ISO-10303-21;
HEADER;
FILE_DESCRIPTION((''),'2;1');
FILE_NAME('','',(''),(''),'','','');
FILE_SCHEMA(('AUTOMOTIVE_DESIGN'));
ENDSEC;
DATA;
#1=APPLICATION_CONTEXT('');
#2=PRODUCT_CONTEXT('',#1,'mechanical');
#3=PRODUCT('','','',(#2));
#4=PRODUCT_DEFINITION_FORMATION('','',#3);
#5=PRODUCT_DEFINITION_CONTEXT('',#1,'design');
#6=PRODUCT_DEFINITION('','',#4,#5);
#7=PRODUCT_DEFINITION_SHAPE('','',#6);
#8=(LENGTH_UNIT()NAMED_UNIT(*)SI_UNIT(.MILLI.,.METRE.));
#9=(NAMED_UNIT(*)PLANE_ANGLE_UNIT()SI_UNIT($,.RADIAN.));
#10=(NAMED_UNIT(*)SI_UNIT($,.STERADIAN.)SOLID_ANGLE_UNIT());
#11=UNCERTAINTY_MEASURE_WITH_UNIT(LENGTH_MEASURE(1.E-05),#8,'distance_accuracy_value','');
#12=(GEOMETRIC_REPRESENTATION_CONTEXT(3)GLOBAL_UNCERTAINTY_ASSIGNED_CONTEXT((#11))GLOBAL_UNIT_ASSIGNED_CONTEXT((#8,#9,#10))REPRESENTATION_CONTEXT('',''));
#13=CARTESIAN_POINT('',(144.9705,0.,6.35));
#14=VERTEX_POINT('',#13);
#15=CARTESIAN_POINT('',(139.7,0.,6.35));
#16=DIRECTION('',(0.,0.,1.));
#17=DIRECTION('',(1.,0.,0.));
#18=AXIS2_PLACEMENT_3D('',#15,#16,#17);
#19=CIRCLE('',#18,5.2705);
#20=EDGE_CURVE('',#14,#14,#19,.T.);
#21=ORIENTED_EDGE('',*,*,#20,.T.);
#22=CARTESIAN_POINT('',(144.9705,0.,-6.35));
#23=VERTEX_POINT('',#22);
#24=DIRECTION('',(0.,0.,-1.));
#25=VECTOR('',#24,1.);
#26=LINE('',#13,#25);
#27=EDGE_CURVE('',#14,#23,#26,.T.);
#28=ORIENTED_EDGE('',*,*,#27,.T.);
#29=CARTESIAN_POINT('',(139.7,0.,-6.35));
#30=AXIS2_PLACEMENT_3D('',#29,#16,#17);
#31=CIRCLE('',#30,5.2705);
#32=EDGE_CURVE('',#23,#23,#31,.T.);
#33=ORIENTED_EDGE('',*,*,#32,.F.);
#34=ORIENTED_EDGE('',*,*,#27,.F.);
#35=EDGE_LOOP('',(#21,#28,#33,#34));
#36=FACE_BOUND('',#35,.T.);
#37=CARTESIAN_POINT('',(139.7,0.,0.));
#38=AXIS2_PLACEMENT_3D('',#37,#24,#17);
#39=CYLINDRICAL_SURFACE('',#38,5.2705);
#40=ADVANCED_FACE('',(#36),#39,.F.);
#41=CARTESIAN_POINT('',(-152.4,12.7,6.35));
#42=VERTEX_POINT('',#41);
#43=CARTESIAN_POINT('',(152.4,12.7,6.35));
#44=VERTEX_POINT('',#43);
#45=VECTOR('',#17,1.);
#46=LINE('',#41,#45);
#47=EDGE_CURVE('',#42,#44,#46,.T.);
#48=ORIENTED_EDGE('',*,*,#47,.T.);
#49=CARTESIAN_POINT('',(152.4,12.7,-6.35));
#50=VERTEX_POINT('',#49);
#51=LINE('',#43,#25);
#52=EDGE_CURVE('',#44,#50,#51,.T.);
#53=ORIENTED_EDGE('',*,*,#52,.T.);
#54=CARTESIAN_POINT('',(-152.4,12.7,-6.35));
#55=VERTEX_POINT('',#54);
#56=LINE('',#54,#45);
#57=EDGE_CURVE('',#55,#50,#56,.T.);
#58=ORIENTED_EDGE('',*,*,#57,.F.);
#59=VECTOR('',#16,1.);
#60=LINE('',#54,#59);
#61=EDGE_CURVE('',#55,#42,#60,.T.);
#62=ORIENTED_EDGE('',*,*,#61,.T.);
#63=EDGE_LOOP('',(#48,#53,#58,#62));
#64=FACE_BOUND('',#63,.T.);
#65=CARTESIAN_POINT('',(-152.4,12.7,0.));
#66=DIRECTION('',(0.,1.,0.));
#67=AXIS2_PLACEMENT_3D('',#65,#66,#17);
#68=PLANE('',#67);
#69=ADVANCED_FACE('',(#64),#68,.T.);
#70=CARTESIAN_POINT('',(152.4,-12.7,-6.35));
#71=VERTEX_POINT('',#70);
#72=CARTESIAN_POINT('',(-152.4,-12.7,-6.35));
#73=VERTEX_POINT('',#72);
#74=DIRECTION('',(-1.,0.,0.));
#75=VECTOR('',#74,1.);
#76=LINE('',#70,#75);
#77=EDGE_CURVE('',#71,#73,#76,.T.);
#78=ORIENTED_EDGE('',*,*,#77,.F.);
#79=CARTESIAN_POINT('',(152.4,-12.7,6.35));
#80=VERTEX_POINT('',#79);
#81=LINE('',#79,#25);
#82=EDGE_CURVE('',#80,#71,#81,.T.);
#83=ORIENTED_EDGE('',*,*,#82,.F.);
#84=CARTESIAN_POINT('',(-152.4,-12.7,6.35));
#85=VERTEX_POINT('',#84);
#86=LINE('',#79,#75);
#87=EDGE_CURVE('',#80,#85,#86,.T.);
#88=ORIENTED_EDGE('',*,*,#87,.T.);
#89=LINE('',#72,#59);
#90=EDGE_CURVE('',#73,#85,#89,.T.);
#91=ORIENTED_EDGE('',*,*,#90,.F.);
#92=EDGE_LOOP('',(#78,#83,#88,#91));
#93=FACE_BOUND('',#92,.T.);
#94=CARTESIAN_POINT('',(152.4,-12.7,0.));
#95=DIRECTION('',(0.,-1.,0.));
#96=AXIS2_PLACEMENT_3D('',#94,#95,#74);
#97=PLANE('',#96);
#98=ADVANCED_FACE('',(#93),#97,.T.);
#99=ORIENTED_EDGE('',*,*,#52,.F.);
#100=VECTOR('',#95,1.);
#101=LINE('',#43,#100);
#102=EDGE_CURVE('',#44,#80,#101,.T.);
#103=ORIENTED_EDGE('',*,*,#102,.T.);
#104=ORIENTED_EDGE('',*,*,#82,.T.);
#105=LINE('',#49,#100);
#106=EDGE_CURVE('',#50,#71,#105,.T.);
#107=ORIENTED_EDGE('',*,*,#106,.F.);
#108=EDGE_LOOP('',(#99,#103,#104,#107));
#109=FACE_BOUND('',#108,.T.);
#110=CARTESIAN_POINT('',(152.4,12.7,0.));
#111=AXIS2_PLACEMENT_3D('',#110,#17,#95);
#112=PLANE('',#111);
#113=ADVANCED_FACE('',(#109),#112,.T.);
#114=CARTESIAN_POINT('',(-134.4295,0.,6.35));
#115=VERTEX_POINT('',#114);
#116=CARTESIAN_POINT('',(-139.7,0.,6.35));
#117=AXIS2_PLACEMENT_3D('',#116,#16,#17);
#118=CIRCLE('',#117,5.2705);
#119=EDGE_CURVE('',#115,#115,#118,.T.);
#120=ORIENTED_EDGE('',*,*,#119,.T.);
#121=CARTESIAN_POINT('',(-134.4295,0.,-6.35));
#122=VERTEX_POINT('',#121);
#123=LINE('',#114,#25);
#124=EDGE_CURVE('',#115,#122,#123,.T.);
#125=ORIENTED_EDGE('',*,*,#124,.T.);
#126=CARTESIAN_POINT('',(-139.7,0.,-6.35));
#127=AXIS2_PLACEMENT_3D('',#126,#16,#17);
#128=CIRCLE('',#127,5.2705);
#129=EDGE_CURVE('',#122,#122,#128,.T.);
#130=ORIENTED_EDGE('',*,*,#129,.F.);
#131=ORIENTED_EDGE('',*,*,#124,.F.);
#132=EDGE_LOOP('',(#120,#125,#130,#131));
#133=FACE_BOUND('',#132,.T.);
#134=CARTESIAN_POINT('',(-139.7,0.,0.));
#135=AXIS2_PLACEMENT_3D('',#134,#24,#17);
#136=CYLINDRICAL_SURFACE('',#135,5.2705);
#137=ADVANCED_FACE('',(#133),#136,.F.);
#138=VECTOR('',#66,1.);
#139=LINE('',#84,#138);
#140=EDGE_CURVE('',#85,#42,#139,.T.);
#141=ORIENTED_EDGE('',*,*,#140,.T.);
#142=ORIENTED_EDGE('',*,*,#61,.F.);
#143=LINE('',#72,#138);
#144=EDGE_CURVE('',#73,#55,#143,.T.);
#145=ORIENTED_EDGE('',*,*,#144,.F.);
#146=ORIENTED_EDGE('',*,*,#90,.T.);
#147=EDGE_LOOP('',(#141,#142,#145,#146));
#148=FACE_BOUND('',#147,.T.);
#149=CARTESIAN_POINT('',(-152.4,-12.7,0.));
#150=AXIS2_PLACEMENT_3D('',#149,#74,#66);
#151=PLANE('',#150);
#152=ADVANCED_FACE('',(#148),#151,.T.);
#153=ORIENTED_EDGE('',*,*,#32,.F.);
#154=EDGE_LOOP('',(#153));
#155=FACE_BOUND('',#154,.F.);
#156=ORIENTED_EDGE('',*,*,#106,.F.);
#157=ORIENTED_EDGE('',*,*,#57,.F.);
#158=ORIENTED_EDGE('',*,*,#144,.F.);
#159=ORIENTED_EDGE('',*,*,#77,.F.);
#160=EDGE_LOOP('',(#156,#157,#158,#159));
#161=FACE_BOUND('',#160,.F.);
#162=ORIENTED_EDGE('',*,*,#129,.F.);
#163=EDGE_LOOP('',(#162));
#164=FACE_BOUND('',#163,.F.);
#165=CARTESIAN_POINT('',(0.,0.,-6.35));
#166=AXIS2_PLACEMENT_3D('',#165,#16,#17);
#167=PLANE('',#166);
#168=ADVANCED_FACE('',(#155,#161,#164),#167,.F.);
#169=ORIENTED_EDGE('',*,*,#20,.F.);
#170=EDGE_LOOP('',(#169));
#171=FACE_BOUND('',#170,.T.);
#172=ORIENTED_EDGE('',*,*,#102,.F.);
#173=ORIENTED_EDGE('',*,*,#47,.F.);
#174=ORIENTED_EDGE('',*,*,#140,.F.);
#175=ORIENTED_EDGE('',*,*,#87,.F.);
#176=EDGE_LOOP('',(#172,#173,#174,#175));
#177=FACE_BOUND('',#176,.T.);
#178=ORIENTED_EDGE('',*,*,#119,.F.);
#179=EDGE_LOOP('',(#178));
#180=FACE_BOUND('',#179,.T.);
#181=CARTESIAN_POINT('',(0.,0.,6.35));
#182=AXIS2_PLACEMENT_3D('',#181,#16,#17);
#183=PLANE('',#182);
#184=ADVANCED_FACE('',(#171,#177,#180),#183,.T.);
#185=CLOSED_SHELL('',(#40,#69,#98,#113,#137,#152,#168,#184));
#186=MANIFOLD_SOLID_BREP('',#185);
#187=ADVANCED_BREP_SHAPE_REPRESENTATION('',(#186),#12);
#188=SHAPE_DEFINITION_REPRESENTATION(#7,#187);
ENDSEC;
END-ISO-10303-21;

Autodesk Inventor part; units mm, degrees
ref_plane "YZ Plane" through (0, 0, 0) normal (1, 0, 0) x (0, 1, 0)
ref_plane "XZ Plane" through (0, 0, 0) normal (0, 1, 0) x (-1, 0, 0)
ref_plane "XY Plane" through (0, 0, 0) normal (0, 0, 1) x (1, 0, 0)
sketch "Sketch1" plane through (0, 0, 0) normal (0, 0, 1) x (1, 0, 0)
  line L0 (-152.4, 12.7) -> (152.4, 12.7)
  line L1 (152.4, 12.7) -> (152.4, -12.7)
  line L2 (152.4, -12.7) -> (-152.4, -12.7)
  line L3 (-152.4, -12.7) -> (-152.4, 12.7)
  line L4 (-152.4, 12.7) -> (152.4, -12.7) construction
  line L5 (152.4, 12.7) -> (-152.4, -12.7) construction
  circle A0 centre (-139.7, 0) radius 5.2705
  circle A1 centre (139.7, 0) radius 5.2705
  point P0 (0, 0)
  dimension "d0" = 304.8
  dimension "d1" = 25.4
  dimension "d2" = 10.541
  dimension "d3" = 12.7
  dimension "d5" = 12.7
extrude "Extrusion1" add sketch "Sketch1" along normal mid plane 12.7
properties part number "connectingRod-8-in"
